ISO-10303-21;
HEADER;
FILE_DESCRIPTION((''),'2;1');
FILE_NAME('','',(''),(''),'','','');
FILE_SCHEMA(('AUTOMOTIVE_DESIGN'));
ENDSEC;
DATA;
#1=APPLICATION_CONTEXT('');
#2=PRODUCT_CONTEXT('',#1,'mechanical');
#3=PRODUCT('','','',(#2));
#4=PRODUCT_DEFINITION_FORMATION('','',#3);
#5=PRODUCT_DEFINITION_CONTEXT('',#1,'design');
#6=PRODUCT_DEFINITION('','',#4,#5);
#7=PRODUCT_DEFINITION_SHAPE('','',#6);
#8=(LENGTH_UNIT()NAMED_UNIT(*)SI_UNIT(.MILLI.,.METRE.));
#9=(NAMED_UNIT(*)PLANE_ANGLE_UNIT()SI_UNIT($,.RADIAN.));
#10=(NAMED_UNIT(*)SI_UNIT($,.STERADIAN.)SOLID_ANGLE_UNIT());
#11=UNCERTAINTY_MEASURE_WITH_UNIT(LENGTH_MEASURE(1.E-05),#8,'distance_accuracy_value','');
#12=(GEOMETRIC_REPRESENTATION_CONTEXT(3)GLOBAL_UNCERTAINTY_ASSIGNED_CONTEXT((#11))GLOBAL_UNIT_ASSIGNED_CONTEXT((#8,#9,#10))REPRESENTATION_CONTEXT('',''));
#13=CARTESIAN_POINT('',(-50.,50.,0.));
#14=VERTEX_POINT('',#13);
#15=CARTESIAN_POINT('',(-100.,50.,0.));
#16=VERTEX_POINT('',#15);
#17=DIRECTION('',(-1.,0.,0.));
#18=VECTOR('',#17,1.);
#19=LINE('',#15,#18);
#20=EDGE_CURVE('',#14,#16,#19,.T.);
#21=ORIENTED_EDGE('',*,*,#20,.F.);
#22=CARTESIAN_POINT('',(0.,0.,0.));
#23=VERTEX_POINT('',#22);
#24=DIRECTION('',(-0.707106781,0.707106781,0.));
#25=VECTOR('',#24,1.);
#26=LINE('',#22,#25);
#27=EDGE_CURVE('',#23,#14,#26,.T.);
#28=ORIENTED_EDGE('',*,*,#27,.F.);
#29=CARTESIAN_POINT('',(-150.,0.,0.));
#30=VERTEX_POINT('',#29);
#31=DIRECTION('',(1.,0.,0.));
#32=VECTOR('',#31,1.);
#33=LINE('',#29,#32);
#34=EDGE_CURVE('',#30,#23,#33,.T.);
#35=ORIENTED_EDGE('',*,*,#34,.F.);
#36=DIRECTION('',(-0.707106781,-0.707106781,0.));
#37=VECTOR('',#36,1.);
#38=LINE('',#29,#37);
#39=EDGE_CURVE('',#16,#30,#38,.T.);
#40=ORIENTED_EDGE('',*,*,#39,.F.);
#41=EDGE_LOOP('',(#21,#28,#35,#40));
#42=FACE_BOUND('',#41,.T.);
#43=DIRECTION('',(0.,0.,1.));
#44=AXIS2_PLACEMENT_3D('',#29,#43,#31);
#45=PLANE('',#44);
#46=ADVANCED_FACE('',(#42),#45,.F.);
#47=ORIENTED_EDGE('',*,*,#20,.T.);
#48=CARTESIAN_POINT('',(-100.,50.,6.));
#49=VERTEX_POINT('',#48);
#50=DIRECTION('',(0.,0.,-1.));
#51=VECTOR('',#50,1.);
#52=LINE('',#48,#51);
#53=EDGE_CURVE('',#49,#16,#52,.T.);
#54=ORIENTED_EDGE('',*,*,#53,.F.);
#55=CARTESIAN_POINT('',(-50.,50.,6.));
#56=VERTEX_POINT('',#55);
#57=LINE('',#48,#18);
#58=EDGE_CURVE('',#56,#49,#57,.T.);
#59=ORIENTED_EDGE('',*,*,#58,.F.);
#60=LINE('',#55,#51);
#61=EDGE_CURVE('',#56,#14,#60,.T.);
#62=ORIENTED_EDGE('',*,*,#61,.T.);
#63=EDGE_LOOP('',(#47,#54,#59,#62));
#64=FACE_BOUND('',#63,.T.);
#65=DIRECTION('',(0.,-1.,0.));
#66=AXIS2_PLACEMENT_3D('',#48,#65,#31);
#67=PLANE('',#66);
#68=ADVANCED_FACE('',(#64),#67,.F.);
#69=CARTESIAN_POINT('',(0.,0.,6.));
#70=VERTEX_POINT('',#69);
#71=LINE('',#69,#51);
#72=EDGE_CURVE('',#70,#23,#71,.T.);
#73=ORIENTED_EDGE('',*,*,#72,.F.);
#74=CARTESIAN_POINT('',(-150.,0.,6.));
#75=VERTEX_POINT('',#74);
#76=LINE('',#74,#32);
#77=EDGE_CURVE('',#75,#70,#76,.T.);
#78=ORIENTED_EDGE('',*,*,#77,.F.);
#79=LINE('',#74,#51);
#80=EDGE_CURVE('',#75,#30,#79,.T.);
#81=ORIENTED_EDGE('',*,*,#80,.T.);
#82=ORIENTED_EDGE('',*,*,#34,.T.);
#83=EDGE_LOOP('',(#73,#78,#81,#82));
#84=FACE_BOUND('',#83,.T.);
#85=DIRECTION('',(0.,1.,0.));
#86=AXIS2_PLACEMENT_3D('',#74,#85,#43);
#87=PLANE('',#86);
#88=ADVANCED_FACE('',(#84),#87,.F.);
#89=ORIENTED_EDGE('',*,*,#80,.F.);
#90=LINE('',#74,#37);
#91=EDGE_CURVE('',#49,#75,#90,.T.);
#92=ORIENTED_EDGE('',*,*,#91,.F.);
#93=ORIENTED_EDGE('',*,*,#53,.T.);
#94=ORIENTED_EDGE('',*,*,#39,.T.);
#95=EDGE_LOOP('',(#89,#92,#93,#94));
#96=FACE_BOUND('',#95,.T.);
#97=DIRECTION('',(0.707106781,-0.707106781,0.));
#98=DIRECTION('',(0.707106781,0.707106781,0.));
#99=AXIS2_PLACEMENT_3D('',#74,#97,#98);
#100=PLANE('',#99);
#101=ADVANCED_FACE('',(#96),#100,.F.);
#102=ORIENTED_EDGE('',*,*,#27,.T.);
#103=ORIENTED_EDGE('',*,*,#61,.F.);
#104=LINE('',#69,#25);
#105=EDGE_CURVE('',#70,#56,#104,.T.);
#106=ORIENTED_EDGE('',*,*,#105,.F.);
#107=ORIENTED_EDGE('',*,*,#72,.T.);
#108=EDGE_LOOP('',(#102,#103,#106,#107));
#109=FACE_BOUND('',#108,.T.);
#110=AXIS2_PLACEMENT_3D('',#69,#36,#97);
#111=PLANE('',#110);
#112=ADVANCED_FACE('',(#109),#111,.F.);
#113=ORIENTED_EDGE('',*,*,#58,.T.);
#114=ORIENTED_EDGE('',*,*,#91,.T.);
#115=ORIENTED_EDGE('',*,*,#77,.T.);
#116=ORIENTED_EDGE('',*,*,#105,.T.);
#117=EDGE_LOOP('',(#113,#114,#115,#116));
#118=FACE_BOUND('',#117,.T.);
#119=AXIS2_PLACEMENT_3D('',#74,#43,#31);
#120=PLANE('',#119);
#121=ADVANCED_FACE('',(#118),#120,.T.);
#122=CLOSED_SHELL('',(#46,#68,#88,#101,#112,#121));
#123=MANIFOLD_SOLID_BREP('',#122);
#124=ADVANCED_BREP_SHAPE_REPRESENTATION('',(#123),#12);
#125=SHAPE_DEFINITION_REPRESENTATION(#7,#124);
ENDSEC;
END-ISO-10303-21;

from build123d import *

# Parameters (mm, degrees)
EXTRUDE1_DEPTH = 6


with BuildPart() as part:
    # Sketch1 → Extrude1 (new body)
    with BuildSketch(Plane.XY):
        Polygon((0, 0), (-50, 50), (-100, 50), (-150, 0), align=None)
    extrude(amount=EXTRUDE1_DEPTH)


solid = part.part
